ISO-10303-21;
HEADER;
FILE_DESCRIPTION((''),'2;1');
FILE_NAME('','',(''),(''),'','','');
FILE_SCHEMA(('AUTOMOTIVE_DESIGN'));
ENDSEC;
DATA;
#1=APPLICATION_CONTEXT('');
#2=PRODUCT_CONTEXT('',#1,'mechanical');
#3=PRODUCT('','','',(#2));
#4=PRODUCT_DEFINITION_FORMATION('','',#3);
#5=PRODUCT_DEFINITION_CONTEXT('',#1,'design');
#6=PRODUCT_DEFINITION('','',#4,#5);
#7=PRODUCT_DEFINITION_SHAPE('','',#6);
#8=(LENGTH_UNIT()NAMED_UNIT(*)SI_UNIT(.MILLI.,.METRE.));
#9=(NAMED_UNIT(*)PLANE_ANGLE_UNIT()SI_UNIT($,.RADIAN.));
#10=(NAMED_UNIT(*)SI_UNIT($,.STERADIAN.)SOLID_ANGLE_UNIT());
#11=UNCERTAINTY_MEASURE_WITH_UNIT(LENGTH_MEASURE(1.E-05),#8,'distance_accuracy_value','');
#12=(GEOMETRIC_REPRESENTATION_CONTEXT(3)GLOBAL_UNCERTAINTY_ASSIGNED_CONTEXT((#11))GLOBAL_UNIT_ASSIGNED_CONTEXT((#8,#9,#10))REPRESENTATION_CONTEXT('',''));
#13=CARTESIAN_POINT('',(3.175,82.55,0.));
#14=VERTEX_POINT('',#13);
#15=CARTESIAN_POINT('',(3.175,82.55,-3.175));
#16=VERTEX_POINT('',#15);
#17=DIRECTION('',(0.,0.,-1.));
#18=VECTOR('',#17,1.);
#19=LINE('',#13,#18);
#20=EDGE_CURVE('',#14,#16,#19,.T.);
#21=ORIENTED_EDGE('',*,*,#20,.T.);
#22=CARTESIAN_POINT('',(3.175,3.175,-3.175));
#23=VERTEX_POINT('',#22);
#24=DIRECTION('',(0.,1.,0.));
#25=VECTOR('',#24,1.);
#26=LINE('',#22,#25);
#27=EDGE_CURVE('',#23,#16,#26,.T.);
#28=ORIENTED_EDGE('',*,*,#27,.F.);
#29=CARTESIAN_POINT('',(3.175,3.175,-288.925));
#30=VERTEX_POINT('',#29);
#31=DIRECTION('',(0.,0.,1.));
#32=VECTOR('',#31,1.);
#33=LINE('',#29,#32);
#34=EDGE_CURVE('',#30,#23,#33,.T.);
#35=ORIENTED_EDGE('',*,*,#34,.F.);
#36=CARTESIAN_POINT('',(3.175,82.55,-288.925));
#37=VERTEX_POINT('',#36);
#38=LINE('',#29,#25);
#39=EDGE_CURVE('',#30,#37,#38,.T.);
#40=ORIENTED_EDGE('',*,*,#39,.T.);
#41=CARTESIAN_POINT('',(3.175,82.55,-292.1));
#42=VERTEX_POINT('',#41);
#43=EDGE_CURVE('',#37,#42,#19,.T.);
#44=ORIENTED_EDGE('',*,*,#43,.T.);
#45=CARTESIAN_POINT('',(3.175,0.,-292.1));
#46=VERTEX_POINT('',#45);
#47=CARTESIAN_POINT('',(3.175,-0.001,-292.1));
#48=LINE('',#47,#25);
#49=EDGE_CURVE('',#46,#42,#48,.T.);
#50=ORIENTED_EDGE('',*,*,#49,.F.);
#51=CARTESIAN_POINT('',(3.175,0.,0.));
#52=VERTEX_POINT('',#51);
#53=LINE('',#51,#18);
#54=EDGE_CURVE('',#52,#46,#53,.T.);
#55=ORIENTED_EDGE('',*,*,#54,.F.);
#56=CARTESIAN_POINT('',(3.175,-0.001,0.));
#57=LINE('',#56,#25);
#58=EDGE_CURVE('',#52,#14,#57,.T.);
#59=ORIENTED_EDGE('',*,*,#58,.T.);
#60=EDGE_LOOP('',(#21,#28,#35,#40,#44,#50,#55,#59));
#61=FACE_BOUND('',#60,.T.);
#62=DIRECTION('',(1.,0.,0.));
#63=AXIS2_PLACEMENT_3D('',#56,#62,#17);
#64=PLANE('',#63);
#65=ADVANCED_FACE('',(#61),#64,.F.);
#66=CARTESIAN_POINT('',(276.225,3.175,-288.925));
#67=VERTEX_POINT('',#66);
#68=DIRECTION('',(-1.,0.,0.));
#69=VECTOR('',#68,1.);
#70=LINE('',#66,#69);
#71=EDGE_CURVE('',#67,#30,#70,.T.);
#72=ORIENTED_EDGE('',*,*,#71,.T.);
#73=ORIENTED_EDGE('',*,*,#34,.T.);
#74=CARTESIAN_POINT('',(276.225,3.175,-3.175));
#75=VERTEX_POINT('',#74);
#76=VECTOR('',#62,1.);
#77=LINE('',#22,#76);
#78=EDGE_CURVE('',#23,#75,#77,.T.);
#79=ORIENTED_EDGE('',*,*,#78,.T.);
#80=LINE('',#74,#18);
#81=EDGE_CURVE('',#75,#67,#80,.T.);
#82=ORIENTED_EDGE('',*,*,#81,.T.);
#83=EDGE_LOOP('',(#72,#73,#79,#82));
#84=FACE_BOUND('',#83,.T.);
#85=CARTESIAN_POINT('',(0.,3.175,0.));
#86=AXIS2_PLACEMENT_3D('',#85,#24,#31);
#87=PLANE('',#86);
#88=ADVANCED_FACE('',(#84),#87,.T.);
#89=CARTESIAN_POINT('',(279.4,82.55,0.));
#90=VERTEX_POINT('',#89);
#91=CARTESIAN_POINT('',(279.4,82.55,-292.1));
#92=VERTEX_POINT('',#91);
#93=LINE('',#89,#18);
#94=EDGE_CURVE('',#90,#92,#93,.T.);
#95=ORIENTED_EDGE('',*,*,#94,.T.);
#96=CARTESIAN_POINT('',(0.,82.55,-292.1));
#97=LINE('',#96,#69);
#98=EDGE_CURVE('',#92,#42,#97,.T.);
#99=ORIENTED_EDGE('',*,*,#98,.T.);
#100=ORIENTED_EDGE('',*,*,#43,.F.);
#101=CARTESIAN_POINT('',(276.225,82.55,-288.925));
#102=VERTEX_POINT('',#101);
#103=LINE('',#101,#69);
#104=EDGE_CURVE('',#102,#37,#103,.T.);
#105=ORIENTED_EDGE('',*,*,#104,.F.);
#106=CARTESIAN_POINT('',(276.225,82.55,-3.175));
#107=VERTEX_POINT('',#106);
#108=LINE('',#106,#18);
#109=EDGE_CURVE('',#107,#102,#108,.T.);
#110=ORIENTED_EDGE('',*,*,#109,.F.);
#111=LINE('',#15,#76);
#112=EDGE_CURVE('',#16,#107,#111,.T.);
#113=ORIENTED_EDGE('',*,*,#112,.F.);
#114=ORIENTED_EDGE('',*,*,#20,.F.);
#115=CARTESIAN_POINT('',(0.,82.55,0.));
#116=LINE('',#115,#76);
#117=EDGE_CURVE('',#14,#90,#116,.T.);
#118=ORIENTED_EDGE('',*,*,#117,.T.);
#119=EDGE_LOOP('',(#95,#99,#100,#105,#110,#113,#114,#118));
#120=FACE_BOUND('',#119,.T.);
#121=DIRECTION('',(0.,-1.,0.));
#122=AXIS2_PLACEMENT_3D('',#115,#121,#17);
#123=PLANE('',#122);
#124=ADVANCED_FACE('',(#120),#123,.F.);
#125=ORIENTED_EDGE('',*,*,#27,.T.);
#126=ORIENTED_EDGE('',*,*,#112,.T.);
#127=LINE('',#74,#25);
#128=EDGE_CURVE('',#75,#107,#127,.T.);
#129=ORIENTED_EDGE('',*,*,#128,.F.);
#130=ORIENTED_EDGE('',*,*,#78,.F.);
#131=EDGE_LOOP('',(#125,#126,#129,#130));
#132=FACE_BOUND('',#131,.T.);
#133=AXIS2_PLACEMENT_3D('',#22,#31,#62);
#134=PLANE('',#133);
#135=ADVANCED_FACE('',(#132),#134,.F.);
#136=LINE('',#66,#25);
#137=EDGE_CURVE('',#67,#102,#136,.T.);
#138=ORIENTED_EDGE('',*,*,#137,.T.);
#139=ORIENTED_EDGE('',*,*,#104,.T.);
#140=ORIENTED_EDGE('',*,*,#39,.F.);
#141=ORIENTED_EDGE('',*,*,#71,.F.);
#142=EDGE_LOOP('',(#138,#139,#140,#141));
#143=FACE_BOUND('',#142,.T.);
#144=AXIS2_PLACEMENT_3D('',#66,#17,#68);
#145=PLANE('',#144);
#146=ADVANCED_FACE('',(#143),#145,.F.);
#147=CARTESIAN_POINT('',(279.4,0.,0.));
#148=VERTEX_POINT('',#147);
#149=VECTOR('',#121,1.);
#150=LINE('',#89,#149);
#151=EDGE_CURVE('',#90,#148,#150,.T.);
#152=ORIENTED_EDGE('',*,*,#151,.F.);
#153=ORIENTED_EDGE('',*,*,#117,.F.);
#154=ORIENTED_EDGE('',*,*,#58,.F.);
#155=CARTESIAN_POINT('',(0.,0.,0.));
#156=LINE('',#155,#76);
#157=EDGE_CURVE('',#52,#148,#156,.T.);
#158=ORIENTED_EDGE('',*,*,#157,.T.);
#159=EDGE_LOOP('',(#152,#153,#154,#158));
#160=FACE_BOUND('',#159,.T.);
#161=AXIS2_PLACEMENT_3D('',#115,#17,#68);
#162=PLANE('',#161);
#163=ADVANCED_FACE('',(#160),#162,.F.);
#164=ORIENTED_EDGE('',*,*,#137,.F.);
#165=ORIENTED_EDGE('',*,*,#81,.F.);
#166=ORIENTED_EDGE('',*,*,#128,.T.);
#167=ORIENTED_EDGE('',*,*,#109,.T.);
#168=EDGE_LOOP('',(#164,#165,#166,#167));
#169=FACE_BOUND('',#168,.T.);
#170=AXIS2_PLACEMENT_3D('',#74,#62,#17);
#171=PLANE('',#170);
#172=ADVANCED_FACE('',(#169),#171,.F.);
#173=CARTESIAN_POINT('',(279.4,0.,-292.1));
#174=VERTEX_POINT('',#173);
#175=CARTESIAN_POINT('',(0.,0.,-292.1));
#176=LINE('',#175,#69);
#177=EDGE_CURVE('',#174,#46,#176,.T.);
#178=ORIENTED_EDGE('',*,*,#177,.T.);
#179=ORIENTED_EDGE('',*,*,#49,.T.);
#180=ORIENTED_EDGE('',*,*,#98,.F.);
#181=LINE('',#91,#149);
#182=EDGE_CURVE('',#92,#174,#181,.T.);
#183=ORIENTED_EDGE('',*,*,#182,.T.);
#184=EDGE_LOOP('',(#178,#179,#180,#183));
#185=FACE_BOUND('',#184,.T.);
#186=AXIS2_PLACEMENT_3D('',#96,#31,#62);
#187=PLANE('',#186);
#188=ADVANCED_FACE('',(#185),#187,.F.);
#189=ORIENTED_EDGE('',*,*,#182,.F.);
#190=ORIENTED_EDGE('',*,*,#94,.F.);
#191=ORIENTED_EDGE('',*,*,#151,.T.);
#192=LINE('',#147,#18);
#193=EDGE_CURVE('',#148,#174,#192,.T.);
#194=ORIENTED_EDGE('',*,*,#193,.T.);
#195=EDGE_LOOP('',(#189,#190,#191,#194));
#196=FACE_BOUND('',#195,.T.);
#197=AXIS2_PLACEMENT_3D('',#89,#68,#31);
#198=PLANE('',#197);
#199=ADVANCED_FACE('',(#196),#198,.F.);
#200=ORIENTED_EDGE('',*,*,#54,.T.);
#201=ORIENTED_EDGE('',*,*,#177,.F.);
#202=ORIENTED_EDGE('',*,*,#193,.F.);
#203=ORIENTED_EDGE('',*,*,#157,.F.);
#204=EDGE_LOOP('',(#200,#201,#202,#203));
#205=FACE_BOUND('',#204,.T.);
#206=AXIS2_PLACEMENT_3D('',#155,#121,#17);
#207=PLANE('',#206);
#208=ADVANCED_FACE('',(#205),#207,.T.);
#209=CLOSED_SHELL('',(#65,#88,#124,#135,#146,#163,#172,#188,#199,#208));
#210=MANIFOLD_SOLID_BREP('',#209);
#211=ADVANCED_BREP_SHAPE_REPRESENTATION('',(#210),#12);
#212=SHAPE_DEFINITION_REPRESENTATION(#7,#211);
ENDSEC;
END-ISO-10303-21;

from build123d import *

# Parameters (mm, degrees)
SKETCH1_W           = 279.4
SKETCH1_H           = 292.1
BOSS_EXTRUDE1_DEPTH = 82.55
SKETCH3_W           = 273.05
SKETCH3_H           = 285.75
CUT_EXTRUDE1_DEPTH  = 79.375
CUT_EXTRUDE2_REACH  = 414.555
SKETCH4_W           = 3.175
SKETCH4_H           = 292.1


with BuildPart() as part:
    # Sketch1 → Boss-Extrude1 (new body)
    with BuildSketch(Plane(origin=(0, 0, 0), x_dir=(1, 0, 0), z_dir=(0, 1, 0))):
        with Locations((139.7, 146.05)):
            Rectangle(SKETCH1_W, SKETCH1_H)
    extrude(amount=BOSS_EXTRUDE1_DEPTH)

    # Sketch3 → Cut-Extrude1 (cut)
    with BuildSketch(Plane(origin=(0, 82.55, 0), x_dir=(1, 0, 0), z_dir=(0, 1, 0))):
        with Locations((139.7, 146.05)):
            Rectangle(SKETCH3_W, SKETCH3_H)
    extrude(amount=-CUT_EXTRUDE1_DEPTH, mode=Mode.SUBTRACT)

    # Sketch4 → Cut-Extrude2 (cut, up to next)
    with BuildSketch(Plane(origin=(0, 82.55, 0), x_dir=(1, 0, 0), z_dir=(0, 1, 0)), mode=Mode.PRIVATE) as cut_extrude2_sk1:
        with Locations((1.5875, 146.05)):
            Rectangle(SKETCH4_W, SKETCH4_H)
    cut_extrude2_tool1 = extrude(cut_extrude2_sk1.sketch, amount=-CUT_EXTRUDE2_REACH, mode=Mode.PRIVATE) & part.part
    add(cut_extrude2_tool1.solids().sort_by_distance((1.5875, 82.55, -146.05))[0], mode=Mode.SUBTRACT)


solid = part.part
